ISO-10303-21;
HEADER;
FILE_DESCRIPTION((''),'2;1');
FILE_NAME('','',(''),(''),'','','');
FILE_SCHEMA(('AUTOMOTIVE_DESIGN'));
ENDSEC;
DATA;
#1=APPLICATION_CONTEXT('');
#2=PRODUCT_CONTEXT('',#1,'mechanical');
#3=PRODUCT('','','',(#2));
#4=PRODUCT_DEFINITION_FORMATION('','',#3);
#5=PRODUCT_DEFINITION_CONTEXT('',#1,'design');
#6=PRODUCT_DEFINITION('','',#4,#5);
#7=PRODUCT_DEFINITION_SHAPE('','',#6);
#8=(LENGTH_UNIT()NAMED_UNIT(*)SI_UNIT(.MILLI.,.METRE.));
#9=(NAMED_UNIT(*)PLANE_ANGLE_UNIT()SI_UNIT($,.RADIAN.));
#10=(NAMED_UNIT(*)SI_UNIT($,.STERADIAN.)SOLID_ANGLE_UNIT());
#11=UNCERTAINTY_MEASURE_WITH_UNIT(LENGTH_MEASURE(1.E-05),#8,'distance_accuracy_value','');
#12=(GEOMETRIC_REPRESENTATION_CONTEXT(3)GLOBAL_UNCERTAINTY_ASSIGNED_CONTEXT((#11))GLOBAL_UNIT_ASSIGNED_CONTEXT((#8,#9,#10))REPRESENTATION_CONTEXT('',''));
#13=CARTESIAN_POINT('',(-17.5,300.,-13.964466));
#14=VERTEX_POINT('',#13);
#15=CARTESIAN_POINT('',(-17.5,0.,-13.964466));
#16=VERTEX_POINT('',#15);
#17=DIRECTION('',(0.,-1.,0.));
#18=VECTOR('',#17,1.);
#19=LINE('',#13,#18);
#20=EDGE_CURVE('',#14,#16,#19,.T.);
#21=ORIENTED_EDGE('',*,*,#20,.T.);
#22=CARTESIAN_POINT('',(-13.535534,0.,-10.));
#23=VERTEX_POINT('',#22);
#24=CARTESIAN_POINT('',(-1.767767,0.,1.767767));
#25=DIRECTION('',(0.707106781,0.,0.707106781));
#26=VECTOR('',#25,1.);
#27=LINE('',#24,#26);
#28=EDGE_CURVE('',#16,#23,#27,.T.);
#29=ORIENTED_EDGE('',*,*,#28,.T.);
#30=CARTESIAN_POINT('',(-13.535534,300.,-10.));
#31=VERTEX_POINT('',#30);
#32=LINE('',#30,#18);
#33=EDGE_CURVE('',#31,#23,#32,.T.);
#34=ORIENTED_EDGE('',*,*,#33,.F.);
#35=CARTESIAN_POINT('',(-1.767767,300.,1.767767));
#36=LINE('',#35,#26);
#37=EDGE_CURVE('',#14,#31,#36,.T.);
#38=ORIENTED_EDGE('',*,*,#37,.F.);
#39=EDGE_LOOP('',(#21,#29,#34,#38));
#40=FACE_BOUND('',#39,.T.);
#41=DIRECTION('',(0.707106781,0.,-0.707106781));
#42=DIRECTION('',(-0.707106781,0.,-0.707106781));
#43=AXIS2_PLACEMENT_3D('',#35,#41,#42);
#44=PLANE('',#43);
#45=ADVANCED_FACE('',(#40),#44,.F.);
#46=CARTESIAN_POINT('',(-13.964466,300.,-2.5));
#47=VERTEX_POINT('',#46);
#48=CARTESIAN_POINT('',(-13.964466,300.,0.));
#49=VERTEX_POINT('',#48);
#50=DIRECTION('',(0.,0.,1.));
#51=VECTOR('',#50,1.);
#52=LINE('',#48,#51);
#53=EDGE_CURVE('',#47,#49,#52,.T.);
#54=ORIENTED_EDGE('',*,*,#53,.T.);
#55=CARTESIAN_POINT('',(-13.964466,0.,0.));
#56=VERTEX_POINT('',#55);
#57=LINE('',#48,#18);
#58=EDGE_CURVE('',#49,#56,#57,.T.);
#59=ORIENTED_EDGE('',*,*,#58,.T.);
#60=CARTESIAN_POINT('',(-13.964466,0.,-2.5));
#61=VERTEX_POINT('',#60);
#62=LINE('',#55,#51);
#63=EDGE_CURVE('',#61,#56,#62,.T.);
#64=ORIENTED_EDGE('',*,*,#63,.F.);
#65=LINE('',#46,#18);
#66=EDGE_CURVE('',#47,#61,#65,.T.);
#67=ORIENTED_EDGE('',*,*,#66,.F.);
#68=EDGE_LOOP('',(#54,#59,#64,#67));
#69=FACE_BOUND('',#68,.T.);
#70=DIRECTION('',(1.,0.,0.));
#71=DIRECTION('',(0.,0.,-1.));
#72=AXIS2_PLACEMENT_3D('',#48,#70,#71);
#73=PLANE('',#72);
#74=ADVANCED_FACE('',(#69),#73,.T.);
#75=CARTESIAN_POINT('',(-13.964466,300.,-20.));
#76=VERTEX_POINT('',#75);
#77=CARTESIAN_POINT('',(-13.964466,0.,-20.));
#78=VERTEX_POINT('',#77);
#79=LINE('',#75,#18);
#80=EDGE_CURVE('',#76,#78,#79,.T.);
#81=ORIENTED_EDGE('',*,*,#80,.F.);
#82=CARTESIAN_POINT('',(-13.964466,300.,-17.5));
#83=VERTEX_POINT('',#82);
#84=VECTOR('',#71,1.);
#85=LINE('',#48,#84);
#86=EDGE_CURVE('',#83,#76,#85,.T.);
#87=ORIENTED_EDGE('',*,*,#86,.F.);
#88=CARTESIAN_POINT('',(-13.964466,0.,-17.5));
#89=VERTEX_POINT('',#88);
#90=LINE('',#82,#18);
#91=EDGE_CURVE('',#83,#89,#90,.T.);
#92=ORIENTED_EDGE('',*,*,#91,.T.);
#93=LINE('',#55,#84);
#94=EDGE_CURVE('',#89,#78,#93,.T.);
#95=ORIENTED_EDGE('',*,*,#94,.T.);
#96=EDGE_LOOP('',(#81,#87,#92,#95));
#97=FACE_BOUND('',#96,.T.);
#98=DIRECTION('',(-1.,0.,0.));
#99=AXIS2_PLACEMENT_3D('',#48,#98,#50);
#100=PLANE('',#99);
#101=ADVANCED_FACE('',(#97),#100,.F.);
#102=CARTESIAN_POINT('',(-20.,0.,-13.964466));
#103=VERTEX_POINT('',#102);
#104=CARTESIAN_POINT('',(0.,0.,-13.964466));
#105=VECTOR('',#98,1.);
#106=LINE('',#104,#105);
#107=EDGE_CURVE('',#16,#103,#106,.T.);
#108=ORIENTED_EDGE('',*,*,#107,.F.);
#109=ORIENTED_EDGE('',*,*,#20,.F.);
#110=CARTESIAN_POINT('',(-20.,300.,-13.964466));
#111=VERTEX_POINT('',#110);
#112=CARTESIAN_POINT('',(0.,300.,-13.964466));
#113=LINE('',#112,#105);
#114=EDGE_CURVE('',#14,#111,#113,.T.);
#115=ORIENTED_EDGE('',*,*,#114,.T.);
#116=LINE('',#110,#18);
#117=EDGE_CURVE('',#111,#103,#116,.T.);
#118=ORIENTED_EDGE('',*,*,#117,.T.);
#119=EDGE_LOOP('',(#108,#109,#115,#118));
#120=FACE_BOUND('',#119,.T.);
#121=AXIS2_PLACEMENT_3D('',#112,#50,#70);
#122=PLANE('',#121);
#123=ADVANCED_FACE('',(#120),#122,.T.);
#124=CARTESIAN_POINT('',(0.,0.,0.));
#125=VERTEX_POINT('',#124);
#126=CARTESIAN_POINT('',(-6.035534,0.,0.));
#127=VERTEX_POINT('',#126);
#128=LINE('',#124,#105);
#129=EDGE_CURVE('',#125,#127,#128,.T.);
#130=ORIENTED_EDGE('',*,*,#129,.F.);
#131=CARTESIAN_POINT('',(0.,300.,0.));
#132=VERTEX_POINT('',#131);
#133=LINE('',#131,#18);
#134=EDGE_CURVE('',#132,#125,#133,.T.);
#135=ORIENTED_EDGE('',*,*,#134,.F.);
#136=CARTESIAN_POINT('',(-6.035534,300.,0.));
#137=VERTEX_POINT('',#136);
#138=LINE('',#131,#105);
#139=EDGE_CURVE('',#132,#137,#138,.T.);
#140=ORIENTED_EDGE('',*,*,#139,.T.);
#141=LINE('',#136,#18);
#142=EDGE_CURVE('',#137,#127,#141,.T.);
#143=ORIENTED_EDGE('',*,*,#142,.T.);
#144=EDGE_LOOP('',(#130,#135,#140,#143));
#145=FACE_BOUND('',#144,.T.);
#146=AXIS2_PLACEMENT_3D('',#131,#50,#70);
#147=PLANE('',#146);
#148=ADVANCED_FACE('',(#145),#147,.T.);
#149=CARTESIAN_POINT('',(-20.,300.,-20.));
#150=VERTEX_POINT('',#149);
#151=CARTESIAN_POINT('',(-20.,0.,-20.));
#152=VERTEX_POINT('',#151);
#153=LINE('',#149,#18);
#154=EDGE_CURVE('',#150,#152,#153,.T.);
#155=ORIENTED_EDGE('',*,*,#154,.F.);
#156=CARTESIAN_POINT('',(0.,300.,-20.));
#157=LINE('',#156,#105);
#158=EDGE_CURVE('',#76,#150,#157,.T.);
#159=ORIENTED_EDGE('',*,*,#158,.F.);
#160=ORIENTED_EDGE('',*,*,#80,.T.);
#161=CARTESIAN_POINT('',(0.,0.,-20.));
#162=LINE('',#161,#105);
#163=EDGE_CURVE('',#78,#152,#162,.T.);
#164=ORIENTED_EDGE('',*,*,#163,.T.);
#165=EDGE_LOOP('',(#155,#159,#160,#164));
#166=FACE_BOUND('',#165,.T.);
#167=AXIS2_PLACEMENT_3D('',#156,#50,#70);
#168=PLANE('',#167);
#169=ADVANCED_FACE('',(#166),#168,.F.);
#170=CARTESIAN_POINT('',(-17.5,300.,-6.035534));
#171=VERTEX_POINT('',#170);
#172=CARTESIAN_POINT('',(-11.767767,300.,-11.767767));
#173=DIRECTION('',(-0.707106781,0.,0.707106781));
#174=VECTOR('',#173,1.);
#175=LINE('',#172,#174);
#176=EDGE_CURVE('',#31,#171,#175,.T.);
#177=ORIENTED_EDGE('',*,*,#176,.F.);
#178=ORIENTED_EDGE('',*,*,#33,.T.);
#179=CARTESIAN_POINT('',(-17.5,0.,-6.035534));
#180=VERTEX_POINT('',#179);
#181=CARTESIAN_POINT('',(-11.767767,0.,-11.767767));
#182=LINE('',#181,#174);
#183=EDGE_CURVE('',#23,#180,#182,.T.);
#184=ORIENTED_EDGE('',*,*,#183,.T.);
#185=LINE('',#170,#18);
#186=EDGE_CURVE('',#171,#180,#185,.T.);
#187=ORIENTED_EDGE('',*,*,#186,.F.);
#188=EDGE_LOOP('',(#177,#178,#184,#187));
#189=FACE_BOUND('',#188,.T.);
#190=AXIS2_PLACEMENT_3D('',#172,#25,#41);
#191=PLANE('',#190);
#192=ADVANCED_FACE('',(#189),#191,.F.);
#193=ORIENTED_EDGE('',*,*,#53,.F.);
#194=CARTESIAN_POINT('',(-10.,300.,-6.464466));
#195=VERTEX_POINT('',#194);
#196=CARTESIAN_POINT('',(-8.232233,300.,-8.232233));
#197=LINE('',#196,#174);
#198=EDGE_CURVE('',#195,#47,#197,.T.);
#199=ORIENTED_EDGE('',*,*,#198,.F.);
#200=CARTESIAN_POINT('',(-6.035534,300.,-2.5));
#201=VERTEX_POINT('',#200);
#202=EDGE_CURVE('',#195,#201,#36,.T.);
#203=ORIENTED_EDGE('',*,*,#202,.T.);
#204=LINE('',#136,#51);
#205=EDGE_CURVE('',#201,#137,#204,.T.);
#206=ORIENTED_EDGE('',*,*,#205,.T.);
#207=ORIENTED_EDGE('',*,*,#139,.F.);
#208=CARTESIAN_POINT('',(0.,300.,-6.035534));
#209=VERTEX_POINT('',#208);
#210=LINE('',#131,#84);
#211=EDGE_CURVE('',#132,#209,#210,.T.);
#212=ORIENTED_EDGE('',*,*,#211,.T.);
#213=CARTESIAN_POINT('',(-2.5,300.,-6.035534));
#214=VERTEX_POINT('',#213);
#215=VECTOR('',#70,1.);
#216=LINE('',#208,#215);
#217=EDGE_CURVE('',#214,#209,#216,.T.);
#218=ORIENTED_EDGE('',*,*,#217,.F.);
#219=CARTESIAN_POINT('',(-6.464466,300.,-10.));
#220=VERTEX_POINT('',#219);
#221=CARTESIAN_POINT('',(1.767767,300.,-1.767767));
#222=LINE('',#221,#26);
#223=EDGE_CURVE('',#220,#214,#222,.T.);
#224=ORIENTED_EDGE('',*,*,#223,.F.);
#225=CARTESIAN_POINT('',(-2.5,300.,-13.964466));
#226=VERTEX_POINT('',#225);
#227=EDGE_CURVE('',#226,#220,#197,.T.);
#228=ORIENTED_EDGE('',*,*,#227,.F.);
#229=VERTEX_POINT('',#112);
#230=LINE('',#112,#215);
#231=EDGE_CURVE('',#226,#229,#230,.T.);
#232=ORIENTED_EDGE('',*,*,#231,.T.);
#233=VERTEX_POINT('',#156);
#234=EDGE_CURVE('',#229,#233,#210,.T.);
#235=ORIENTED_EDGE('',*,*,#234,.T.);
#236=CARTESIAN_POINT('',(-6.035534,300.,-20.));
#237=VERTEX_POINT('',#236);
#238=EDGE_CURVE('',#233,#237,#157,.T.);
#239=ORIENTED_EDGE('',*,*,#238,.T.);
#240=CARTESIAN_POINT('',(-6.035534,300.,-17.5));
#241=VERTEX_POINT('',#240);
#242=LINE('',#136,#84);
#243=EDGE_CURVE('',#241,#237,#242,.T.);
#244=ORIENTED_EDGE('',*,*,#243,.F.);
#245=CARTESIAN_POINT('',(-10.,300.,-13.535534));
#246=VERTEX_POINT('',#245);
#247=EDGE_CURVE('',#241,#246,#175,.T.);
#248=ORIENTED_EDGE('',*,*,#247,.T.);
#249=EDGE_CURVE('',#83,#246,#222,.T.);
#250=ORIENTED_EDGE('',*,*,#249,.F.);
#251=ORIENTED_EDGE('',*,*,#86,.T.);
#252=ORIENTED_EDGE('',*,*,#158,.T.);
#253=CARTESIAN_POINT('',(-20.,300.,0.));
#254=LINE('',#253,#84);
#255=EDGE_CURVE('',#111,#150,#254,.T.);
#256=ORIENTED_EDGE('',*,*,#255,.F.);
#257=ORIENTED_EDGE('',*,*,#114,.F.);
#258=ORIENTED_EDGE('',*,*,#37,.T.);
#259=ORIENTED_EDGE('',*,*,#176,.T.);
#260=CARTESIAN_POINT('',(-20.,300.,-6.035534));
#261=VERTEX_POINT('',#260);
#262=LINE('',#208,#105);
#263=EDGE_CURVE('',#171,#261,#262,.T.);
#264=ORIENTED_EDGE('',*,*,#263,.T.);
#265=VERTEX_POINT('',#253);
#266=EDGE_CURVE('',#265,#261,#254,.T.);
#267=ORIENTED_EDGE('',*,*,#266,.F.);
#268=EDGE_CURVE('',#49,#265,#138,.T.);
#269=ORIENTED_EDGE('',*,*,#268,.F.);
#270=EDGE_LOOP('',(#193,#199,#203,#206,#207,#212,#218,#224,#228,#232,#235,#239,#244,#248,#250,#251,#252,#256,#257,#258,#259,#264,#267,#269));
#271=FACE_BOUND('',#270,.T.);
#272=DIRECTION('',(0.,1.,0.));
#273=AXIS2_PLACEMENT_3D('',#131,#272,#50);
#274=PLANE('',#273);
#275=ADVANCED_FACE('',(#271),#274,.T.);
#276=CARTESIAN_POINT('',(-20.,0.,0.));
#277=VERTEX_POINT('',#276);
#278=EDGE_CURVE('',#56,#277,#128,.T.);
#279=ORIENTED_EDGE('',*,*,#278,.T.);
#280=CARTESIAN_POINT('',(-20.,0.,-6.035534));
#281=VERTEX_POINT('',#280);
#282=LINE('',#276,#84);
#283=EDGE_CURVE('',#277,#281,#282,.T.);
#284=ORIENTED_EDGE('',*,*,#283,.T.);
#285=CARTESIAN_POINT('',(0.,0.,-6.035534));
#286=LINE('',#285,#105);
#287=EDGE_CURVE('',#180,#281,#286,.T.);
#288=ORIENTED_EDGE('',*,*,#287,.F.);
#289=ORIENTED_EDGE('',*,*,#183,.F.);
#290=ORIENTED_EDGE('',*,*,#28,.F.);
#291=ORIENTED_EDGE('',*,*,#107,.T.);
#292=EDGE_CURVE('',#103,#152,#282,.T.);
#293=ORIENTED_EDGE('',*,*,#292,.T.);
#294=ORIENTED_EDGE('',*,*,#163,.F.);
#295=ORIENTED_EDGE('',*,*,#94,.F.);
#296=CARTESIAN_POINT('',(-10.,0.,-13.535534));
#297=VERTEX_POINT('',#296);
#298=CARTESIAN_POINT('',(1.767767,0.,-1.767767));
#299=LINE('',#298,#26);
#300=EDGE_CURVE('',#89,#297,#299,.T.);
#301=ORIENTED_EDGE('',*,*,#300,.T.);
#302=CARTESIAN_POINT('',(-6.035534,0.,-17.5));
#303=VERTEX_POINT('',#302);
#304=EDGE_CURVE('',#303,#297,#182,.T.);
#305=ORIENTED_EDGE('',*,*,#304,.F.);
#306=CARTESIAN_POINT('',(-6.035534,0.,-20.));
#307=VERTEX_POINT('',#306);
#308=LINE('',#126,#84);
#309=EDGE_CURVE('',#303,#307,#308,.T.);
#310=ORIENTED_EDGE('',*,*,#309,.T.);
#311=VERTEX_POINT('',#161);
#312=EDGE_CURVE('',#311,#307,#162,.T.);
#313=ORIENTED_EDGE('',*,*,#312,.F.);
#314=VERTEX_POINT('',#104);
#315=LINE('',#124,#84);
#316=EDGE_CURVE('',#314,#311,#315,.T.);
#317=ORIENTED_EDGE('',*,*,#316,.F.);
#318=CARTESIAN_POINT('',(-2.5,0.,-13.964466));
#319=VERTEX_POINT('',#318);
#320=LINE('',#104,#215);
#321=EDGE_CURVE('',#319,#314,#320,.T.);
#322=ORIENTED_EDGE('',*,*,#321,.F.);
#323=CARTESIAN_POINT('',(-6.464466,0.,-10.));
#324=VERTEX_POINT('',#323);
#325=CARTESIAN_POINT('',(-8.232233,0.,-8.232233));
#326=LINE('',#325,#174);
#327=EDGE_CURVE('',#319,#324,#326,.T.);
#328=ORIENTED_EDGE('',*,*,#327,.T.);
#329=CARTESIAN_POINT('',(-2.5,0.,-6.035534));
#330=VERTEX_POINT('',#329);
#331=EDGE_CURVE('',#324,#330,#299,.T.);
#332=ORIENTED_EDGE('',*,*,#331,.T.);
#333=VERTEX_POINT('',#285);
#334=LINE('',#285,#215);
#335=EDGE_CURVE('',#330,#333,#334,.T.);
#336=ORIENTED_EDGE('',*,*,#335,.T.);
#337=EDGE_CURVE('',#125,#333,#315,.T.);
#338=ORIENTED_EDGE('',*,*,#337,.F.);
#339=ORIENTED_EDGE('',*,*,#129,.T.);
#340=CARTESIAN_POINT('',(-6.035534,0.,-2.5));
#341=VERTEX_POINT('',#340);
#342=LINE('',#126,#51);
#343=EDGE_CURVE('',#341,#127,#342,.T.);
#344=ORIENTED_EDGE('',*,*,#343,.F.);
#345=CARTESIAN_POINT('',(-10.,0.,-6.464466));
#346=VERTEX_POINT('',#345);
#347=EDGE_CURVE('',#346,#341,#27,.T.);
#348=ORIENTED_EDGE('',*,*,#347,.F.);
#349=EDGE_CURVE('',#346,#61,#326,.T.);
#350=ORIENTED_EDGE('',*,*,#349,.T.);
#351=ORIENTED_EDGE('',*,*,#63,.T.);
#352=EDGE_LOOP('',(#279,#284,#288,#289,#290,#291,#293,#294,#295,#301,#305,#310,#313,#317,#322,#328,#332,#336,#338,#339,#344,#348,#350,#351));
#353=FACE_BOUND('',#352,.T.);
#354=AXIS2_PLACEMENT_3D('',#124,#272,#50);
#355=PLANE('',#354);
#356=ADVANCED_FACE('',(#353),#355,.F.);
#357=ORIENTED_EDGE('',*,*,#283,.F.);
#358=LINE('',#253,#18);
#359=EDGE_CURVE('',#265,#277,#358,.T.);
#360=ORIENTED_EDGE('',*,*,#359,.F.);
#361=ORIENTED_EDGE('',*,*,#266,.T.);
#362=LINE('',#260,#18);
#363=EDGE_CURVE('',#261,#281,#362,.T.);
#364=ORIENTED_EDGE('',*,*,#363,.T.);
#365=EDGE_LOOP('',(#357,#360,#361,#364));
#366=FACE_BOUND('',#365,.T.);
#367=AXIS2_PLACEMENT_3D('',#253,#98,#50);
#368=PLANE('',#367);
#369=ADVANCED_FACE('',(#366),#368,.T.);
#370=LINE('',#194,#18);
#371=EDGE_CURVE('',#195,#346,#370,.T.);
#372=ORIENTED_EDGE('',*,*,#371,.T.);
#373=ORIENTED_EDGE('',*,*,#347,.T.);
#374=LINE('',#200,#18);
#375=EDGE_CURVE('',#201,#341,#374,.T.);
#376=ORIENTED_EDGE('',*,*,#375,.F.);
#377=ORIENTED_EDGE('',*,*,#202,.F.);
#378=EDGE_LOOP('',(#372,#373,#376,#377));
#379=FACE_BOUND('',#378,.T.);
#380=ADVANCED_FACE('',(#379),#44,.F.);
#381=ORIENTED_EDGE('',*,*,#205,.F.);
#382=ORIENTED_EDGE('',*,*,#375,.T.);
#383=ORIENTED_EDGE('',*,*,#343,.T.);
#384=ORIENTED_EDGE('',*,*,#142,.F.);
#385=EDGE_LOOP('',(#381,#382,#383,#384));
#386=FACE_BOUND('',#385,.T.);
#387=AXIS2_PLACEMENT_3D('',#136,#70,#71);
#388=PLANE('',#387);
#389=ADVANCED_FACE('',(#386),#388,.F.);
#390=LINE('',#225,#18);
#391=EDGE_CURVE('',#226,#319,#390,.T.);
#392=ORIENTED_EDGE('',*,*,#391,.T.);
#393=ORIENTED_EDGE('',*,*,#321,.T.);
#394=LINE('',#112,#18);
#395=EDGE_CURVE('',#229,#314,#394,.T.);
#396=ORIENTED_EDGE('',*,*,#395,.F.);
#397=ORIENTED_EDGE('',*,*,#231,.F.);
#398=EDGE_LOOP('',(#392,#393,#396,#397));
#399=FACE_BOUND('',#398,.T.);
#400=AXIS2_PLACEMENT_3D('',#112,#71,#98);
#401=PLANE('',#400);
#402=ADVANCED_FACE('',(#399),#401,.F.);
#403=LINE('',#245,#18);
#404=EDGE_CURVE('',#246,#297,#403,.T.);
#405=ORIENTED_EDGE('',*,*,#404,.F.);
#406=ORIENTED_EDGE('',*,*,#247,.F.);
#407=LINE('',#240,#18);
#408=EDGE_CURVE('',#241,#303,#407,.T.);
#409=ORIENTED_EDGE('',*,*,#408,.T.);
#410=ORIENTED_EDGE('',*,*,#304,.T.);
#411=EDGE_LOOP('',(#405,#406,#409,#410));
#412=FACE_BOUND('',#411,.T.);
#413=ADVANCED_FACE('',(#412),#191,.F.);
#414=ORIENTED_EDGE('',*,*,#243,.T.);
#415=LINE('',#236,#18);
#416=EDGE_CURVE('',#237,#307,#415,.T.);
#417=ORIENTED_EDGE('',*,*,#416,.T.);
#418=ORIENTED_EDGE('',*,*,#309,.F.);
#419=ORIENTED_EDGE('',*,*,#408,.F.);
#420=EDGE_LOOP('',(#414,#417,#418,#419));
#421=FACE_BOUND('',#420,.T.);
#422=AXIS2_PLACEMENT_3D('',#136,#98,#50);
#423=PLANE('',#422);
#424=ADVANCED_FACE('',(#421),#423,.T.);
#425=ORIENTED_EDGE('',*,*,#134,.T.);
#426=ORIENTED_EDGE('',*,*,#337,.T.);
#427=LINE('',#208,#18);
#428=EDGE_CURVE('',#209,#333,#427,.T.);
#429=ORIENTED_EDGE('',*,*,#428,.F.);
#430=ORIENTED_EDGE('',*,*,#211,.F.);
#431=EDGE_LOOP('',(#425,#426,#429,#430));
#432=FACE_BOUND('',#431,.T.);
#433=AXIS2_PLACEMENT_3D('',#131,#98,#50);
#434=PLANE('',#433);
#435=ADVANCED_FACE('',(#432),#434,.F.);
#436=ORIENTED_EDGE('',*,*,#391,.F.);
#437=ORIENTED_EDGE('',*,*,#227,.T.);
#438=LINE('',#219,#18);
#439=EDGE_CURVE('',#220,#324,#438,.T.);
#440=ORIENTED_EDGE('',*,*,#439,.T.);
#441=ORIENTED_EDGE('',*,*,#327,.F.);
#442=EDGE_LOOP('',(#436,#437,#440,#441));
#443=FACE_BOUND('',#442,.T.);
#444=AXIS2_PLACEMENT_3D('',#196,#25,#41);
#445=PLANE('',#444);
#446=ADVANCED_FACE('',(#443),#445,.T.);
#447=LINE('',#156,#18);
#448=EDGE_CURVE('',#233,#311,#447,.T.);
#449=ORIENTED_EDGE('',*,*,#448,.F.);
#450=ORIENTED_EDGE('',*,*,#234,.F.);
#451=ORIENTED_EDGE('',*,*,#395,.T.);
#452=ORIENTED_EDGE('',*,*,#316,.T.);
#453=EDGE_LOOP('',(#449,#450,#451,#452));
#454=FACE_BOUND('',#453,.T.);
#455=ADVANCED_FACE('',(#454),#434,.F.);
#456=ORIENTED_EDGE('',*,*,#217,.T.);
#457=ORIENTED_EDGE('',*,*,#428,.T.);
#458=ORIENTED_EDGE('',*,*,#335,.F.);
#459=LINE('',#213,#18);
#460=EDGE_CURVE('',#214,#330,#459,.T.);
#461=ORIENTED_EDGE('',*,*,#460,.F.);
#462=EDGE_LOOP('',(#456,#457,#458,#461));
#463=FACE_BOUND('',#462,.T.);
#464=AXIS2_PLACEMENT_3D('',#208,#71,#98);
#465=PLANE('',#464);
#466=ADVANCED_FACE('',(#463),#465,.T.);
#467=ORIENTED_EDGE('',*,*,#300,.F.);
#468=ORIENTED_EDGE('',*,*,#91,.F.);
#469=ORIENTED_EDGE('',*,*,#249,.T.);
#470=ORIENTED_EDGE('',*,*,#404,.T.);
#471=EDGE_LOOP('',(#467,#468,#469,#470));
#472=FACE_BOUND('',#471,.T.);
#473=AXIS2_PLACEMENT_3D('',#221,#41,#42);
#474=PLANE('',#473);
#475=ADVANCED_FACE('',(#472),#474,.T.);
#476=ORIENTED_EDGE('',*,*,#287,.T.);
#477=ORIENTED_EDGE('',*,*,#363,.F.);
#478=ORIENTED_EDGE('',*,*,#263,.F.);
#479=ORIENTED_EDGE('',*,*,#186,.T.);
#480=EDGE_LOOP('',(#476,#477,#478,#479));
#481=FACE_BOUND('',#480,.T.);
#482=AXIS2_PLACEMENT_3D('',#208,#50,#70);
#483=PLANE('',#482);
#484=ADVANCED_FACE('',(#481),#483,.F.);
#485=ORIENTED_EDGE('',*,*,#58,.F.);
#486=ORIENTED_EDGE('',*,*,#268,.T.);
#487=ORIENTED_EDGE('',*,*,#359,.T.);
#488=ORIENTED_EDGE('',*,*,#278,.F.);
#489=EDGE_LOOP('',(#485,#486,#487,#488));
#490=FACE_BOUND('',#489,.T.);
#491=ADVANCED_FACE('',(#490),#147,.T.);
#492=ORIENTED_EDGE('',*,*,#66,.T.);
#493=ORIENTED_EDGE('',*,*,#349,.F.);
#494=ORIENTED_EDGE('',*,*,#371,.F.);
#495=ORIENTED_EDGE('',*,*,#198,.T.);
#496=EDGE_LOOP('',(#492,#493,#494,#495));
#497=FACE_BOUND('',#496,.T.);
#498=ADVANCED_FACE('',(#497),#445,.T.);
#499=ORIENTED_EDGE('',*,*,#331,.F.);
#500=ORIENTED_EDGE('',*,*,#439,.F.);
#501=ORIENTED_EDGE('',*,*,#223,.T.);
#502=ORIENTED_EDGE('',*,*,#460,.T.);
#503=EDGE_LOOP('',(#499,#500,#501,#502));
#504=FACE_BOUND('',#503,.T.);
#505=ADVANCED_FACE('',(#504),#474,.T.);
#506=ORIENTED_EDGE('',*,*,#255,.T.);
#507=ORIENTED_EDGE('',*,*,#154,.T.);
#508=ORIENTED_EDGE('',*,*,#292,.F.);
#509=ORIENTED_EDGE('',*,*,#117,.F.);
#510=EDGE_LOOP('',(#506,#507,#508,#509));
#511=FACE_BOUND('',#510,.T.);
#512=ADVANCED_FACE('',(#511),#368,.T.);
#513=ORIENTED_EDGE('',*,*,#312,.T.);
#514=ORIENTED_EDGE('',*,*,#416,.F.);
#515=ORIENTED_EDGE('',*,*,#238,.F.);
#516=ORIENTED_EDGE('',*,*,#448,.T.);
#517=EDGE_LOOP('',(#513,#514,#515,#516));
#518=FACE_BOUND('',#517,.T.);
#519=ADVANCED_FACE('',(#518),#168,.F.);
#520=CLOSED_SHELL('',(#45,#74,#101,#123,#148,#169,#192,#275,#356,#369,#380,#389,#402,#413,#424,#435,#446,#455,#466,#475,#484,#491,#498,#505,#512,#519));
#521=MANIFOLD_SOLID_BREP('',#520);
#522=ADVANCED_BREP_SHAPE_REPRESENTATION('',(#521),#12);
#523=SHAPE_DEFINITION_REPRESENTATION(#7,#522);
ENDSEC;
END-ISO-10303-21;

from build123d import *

# Parameters (mm, degrees)
BOSS_EXTRU_1_DEPTH = 300


with BuildPart() as part:
    # Esquisse1 → Boss.-Extru.1 (new body)
    with BuildSketch(Plane(origin=(0, 0, 0), x_dir=(1, 0, 0), z_dir=(0, 1, 0))):
        Polygon((-3.535533906, 0), (-6.035533906, 2.5), (-6.035533906, 0), align=None)
        Polygon((0, 3.535533906), (-2.5, 6.035533906), (-2.5, 2.5), (-6.035533906, 2.5), (-3.535533906, 0), (0, 0), align=None)
        Polygon((0, 6.035533906), (-2.5, 6.035533906), (0, 3.535533906), align=None)
        Polygon((-2.5, 2.5), (-2.5, 6.035533906), (-6.464466094, 10), (-10, 6.464466094), (-6.035533906, 2.5), align=None)
        Polygon((-13.964466094, 0), (-13.964466094, 2.5), (-16.464466094, 0), align=None)
        Polygon((-17.5, 2.5), (-17.5, 6.035533906), (-20, 3.535533906), (-20, 0), (-16.464466094, 0), (-13.964466094, 2.5), align=None)
        Polygon((-20, 3.535533906), (-17.5, 6.035533906), (-20, 6.035533906), align=None)
        Polygon((-10, 6.464466094), (-13.535533906, 10), (-17.5, 6.035533906), (-17.5, 2.5), (-13.964466094, 2.5), align=None)
        Polygon((-6.464466094, 10), (-10, 13.535533906), (-13.535533906, 10), (-10, 6.464466094), align=None)
        Polygon((-2.5, 13.964466094), (-2.5, 17.5), (-6.035533906, 17.5), (-10, 13.535533906), (-6.464466094, 10), align=None)
        Polygon((-6.035533906, 17.5), (-2.5, 17.5), (-2.5, 13.964466094), (0, 16.464466094), (0, 20), (-3.535533906, 20), align=None)
        Polygon((0, 16.464466094), (-2.5, 13.964466094), (0, 13.964466094), align=None)
        Polygon((-6.035533906, 20), (-6.035533906, 17.5), (-3.535533906, 20), align=None)
        Polygon((-16.464466094, 20), (-13.964466094, 17.5), (-13.964466094, 20), align=None)
        Polygon((-17.5, 17.5), (-13.964466094, 17.5), (-16.464466094, 20), (-20, 20), (-20, 16.464466094), (-17.5, 13.964466094), align=None)
        Polygon((-20, 13.964466094), (-17.5, 13.964466094), (-20, 16.464466094), align=None)
        Polygon((-10, 13.535533906), (-13.964466094, 17.5), (-17.5, 17.5), (-17.5, 13.964466094), (-13.535533906, 10), align=None)
    extrude(amount=BOSS_EXTRU_1_DEPTH)


solid = part.part
